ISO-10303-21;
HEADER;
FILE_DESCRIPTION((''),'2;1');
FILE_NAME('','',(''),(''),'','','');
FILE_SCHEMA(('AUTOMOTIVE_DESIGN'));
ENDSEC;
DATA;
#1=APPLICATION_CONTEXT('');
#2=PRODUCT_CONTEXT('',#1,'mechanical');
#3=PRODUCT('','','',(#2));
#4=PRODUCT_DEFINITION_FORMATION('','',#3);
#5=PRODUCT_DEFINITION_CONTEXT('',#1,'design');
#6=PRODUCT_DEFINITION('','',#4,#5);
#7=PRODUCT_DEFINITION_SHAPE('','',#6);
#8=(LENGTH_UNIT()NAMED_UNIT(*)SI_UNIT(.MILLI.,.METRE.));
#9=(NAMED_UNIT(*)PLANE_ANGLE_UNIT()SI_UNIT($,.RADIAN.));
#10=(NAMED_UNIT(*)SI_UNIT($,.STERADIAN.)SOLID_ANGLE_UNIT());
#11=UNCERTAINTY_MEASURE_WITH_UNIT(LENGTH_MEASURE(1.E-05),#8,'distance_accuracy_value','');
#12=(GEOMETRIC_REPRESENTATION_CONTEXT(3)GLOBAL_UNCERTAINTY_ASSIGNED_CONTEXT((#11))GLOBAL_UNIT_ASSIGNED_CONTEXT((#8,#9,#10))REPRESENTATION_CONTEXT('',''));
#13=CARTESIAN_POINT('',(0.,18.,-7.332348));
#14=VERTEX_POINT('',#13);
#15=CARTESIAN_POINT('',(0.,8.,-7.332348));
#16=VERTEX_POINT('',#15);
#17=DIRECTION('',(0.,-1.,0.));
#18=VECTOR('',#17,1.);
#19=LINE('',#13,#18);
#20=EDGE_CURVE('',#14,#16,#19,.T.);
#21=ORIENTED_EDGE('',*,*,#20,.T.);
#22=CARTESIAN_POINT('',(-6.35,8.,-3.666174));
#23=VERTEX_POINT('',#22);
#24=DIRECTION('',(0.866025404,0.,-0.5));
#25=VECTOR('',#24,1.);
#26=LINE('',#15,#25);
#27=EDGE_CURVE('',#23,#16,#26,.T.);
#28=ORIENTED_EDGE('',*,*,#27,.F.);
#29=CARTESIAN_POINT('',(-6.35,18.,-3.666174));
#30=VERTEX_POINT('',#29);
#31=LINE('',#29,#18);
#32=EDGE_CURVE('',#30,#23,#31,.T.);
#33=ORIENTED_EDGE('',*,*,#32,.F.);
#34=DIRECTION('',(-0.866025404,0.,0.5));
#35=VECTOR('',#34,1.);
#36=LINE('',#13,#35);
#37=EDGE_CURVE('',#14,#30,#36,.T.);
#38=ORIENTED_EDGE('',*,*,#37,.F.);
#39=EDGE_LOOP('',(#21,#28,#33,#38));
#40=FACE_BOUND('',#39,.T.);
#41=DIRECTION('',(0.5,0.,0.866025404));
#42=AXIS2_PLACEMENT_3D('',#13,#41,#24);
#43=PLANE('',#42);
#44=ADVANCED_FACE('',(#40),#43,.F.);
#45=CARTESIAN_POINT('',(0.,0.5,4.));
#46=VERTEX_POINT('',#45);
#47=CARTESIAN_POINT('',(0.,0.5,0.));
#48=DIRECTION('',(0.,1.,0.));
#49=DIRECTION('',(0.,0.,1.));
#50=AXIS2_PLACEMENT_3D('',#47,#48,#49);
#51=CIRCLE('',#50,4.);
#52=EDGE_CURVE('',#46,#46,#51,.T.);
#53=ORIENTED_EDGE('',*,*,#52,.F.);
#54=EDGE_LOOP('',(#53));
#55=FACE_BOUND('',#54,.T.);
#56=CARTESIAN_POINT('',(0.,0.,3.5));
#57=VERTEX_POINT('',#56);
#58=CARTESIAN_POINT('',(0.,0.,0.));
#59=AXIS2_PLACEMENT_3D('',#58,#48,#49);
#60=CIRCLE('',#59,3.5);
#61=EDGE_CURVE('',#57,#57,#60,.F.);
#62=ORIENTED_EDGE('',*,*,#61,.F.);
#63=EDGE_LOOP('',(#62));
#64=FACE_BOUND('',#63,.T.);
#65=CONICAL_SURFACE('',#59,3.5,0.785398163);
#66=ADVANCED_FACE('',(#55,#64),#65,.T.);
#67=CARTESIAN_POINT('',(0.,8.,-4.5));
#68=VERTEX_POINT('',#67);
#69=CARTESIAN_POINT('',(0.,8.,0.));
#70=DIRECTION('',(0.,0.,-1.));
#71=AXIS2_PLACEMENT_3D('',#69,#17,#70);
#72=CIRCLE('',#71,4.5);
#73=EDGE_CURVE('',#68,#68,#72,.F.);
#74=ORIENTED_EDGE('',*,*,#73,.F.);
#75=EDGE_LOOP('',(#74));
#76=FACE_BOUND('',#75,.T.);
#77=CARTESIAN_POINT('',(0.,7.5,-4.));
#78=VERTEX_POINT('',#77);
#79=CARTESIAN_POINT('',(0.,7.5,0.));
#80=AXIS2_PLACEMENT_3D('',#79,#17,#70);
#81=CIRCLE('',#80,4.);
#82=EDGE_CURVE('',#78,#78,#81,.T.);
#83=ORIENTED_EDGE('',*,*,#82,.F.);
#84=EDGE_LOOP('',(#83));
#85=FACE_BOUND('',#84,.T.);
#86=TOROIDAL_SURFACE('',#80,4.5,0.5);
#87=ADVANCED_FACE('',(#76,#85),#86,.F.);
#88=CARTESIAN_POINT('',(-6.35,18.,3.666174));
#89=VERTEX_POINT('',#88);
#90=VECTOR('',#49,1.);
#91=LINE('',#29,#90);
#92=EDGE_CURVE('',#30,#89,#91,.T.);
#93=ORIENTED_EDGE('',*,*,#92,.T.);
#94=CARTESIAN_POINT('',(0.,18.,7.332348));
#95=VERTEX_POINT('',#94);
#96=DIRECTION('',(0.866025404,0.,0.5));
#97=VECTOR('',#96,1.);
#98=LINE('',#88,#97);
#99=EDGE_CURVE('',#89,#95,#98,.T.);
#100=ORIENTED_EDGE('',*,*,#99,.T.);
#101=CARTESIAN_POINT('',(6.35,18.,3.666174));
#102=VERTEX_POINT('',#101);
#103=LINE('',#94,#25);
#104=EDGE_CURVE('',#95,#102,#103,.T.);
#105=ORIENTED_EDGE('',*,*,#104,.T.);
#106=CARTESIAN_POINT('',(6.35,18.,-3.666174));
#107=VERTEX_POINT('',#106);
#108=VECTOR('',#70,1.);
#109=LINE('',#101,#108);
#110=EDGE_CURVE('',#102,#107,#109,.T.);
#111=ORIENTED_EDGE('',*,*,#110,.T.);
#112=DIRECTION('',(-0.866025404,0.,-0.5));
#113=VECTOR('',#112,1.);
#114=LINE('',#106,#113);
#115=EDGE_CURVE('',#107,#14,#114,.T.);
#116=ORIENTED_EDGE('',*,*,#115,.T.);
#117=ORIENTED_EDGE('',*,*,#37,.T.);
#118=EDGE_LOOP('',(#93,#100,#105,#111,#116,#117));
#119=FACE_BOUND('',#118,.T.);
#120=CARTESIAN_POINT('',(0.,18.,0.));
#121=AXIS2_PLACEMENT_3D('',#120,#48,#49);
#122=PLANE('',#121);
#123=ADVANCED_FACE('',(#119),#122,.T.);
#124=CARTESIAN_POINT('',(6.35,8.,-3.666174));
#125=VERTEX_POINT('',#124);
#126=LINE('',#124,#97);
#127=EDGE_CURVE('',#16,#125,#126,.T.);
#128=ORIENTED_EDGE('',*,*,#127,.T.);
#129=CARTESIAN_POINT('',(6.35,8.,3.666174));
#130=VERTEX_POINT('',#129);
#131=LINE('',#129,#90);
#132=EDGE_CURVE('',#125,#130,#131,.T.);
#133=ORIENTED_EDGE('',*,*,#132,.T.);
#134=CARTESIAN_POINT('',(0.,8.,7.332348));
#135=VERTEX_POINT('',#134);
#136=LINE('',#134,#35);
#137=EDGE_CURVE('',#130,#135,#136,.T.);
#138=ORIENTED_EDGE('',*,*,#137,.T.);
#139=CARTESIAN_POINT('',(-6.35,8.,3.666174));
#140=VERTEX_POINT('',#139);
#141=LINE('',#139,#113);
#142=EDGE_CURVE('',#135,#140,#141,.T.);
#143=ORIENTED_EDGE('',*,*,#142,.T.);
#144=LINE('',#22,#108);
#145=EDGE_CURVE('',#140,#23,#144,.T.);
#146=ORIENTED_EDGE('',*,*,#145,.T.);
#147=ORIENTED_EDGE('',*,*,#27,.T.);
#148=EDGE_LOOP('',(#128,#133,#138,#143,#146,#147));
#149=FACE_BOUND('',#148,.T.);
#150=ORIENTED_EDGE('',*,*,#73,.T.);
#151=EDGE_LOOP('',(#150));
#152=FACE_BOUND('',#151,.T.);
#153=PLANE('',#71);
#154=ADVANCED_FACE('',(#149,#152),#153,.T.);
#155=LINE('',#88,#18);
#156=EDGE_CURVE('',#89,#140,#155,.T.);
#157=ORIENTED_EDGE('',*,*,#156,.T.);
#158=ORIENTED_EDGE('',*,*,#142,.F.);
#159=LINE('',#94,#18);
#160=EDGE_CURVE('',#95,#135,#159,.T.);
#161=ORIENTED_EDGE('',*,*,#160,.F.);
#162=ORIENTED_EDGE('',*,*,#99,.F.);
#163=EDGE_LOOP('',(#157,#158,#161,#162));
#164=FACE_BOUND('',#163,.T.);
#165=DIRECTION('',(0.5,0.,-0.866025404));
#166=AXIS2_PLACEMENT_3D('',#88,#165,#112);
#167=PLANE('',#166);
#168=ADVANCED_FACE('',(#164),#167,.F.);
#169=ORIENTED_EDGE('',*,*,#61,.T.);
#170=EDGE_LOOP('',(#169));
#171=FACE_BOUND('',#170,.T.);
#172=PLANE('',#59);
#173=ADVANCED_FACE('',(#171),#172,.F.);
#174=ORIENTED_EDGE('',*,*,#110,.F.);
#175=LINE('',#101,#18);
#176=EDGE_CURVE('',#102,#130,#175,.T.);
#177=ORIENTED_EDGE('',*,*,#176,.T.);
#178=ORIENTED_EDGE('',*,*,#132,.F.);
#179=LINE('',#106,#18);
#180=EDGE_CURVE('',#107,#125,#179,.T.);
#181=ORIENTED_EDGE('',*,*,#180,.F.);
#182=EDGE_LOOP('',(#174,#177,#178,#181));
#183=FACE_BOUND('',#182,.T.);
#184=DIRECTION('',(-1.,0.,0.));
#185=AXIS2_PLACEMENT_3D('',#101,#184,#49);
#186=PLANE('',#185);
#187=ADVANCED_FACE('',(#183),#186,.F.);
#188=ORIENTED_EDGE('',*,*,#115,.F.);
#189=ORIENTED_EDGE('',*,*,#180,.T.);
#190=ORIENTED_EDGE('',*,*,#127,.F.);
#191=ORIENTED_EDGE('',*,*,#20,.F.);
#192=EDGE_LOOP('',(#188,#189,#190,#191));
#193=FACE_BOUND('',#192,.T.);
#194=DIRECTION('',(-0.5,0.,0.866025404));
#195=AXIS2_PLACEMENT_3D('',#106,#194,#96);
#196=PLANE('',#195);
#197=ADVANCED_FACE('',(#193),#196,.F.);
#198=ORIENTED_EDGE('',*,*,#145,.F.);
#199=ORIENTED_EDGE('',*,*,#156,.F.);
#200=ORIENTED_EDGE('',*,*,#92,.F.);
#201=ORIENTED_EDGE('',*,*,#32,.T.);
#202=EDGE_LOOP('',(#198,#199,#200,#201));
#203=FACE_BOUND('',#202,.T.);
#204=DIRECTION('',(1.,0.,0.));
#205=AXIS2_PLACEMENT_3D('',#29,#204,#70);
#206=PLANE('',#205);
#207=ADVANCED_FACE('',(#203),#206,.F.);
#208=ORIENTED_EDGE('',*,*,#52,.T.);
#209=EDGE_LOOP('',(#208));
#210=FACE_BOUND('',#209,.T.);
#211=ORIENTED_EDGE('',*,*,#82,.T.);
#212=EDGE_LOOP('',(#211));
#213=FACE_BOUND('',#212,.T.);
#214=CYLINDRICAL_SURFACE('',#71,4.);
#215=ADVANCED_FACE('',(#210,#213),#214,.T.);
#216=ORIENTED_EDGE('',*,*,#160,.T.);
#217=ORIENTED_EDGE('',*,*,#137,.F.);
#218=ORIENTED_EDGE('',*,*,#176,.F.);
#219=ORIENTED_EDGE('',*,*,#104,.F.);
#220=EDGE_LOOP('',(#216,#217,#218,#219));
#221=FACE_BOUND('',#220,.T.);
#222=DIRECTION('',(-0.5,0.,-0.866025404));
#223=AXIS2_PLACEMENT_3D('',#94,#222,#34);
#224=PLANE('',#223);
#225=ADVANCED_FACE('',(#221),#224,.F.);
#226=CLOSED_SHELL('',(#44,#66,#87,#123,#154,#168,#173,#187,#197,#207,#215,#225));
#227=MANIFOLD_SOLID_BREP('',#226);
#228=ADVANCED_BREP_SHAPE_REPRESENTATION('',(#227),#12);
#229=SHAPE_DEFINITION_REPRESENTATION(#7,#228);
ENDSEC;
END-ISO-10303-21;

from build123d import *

# Parameters (mm, degrees)
BOSS_EXTRUDE1_DEPTH = 18
SKETCH2_R           = 11.041955005
SKETCH2_R_2         = 4
CUT_EXTRUDE1_DEPTH  = 8
CHAMFER1_SIZE       = 0.5
FILLET1_R           = 0.5


with BuildPart() as part:
    # Sketch1 → Boss-Extrude1 (new body)
    with BuildSketch(Plane(origin=(0, 0, 0), x_dir=(1, 0, 0), z_dir=(0, 1, 0))):
        Polygon((6.35, 3.666174209), (0, 7.332348419), (-6.35, 3.666174209), (-6.35, -3.666174209), (0, -7.332348419), (6.35, -3.666174209), align=None)
    extrude(amount=BOSS_EXTRUDE1_DEPTH)

    # Sketch2 → Cut-Extrude1 (cut)
    with BuildSketch(Plane.XZ):
        Circle(SKETCH2_R)
        with Locations(Location((0, 0, 0), (0, 0, 270))):
            Circle(SKETCH2_R_2, mode=Mode.SUBTRACT)
    extrude(amount=-CUT_EXTRUDE1_DEPTH, mode=Mode.SUBTRACT)

    # Chamfer1
    chamfer1_edges = [part.edges().sort_by_distance(p)[0] for p in [
        (0, 0, 4),
    ]]
    chamfer(chamfer1_edges, length=CHAMFER1_SIZE)

    # Fillet1
    fillet1_edges = [part.edges().sort_by_distance(p)[0] for p in [
        (0, 8, 4),
    ]]
    fillet(fillet1_edges, radius=FILLET1_R)


solid = part.part
